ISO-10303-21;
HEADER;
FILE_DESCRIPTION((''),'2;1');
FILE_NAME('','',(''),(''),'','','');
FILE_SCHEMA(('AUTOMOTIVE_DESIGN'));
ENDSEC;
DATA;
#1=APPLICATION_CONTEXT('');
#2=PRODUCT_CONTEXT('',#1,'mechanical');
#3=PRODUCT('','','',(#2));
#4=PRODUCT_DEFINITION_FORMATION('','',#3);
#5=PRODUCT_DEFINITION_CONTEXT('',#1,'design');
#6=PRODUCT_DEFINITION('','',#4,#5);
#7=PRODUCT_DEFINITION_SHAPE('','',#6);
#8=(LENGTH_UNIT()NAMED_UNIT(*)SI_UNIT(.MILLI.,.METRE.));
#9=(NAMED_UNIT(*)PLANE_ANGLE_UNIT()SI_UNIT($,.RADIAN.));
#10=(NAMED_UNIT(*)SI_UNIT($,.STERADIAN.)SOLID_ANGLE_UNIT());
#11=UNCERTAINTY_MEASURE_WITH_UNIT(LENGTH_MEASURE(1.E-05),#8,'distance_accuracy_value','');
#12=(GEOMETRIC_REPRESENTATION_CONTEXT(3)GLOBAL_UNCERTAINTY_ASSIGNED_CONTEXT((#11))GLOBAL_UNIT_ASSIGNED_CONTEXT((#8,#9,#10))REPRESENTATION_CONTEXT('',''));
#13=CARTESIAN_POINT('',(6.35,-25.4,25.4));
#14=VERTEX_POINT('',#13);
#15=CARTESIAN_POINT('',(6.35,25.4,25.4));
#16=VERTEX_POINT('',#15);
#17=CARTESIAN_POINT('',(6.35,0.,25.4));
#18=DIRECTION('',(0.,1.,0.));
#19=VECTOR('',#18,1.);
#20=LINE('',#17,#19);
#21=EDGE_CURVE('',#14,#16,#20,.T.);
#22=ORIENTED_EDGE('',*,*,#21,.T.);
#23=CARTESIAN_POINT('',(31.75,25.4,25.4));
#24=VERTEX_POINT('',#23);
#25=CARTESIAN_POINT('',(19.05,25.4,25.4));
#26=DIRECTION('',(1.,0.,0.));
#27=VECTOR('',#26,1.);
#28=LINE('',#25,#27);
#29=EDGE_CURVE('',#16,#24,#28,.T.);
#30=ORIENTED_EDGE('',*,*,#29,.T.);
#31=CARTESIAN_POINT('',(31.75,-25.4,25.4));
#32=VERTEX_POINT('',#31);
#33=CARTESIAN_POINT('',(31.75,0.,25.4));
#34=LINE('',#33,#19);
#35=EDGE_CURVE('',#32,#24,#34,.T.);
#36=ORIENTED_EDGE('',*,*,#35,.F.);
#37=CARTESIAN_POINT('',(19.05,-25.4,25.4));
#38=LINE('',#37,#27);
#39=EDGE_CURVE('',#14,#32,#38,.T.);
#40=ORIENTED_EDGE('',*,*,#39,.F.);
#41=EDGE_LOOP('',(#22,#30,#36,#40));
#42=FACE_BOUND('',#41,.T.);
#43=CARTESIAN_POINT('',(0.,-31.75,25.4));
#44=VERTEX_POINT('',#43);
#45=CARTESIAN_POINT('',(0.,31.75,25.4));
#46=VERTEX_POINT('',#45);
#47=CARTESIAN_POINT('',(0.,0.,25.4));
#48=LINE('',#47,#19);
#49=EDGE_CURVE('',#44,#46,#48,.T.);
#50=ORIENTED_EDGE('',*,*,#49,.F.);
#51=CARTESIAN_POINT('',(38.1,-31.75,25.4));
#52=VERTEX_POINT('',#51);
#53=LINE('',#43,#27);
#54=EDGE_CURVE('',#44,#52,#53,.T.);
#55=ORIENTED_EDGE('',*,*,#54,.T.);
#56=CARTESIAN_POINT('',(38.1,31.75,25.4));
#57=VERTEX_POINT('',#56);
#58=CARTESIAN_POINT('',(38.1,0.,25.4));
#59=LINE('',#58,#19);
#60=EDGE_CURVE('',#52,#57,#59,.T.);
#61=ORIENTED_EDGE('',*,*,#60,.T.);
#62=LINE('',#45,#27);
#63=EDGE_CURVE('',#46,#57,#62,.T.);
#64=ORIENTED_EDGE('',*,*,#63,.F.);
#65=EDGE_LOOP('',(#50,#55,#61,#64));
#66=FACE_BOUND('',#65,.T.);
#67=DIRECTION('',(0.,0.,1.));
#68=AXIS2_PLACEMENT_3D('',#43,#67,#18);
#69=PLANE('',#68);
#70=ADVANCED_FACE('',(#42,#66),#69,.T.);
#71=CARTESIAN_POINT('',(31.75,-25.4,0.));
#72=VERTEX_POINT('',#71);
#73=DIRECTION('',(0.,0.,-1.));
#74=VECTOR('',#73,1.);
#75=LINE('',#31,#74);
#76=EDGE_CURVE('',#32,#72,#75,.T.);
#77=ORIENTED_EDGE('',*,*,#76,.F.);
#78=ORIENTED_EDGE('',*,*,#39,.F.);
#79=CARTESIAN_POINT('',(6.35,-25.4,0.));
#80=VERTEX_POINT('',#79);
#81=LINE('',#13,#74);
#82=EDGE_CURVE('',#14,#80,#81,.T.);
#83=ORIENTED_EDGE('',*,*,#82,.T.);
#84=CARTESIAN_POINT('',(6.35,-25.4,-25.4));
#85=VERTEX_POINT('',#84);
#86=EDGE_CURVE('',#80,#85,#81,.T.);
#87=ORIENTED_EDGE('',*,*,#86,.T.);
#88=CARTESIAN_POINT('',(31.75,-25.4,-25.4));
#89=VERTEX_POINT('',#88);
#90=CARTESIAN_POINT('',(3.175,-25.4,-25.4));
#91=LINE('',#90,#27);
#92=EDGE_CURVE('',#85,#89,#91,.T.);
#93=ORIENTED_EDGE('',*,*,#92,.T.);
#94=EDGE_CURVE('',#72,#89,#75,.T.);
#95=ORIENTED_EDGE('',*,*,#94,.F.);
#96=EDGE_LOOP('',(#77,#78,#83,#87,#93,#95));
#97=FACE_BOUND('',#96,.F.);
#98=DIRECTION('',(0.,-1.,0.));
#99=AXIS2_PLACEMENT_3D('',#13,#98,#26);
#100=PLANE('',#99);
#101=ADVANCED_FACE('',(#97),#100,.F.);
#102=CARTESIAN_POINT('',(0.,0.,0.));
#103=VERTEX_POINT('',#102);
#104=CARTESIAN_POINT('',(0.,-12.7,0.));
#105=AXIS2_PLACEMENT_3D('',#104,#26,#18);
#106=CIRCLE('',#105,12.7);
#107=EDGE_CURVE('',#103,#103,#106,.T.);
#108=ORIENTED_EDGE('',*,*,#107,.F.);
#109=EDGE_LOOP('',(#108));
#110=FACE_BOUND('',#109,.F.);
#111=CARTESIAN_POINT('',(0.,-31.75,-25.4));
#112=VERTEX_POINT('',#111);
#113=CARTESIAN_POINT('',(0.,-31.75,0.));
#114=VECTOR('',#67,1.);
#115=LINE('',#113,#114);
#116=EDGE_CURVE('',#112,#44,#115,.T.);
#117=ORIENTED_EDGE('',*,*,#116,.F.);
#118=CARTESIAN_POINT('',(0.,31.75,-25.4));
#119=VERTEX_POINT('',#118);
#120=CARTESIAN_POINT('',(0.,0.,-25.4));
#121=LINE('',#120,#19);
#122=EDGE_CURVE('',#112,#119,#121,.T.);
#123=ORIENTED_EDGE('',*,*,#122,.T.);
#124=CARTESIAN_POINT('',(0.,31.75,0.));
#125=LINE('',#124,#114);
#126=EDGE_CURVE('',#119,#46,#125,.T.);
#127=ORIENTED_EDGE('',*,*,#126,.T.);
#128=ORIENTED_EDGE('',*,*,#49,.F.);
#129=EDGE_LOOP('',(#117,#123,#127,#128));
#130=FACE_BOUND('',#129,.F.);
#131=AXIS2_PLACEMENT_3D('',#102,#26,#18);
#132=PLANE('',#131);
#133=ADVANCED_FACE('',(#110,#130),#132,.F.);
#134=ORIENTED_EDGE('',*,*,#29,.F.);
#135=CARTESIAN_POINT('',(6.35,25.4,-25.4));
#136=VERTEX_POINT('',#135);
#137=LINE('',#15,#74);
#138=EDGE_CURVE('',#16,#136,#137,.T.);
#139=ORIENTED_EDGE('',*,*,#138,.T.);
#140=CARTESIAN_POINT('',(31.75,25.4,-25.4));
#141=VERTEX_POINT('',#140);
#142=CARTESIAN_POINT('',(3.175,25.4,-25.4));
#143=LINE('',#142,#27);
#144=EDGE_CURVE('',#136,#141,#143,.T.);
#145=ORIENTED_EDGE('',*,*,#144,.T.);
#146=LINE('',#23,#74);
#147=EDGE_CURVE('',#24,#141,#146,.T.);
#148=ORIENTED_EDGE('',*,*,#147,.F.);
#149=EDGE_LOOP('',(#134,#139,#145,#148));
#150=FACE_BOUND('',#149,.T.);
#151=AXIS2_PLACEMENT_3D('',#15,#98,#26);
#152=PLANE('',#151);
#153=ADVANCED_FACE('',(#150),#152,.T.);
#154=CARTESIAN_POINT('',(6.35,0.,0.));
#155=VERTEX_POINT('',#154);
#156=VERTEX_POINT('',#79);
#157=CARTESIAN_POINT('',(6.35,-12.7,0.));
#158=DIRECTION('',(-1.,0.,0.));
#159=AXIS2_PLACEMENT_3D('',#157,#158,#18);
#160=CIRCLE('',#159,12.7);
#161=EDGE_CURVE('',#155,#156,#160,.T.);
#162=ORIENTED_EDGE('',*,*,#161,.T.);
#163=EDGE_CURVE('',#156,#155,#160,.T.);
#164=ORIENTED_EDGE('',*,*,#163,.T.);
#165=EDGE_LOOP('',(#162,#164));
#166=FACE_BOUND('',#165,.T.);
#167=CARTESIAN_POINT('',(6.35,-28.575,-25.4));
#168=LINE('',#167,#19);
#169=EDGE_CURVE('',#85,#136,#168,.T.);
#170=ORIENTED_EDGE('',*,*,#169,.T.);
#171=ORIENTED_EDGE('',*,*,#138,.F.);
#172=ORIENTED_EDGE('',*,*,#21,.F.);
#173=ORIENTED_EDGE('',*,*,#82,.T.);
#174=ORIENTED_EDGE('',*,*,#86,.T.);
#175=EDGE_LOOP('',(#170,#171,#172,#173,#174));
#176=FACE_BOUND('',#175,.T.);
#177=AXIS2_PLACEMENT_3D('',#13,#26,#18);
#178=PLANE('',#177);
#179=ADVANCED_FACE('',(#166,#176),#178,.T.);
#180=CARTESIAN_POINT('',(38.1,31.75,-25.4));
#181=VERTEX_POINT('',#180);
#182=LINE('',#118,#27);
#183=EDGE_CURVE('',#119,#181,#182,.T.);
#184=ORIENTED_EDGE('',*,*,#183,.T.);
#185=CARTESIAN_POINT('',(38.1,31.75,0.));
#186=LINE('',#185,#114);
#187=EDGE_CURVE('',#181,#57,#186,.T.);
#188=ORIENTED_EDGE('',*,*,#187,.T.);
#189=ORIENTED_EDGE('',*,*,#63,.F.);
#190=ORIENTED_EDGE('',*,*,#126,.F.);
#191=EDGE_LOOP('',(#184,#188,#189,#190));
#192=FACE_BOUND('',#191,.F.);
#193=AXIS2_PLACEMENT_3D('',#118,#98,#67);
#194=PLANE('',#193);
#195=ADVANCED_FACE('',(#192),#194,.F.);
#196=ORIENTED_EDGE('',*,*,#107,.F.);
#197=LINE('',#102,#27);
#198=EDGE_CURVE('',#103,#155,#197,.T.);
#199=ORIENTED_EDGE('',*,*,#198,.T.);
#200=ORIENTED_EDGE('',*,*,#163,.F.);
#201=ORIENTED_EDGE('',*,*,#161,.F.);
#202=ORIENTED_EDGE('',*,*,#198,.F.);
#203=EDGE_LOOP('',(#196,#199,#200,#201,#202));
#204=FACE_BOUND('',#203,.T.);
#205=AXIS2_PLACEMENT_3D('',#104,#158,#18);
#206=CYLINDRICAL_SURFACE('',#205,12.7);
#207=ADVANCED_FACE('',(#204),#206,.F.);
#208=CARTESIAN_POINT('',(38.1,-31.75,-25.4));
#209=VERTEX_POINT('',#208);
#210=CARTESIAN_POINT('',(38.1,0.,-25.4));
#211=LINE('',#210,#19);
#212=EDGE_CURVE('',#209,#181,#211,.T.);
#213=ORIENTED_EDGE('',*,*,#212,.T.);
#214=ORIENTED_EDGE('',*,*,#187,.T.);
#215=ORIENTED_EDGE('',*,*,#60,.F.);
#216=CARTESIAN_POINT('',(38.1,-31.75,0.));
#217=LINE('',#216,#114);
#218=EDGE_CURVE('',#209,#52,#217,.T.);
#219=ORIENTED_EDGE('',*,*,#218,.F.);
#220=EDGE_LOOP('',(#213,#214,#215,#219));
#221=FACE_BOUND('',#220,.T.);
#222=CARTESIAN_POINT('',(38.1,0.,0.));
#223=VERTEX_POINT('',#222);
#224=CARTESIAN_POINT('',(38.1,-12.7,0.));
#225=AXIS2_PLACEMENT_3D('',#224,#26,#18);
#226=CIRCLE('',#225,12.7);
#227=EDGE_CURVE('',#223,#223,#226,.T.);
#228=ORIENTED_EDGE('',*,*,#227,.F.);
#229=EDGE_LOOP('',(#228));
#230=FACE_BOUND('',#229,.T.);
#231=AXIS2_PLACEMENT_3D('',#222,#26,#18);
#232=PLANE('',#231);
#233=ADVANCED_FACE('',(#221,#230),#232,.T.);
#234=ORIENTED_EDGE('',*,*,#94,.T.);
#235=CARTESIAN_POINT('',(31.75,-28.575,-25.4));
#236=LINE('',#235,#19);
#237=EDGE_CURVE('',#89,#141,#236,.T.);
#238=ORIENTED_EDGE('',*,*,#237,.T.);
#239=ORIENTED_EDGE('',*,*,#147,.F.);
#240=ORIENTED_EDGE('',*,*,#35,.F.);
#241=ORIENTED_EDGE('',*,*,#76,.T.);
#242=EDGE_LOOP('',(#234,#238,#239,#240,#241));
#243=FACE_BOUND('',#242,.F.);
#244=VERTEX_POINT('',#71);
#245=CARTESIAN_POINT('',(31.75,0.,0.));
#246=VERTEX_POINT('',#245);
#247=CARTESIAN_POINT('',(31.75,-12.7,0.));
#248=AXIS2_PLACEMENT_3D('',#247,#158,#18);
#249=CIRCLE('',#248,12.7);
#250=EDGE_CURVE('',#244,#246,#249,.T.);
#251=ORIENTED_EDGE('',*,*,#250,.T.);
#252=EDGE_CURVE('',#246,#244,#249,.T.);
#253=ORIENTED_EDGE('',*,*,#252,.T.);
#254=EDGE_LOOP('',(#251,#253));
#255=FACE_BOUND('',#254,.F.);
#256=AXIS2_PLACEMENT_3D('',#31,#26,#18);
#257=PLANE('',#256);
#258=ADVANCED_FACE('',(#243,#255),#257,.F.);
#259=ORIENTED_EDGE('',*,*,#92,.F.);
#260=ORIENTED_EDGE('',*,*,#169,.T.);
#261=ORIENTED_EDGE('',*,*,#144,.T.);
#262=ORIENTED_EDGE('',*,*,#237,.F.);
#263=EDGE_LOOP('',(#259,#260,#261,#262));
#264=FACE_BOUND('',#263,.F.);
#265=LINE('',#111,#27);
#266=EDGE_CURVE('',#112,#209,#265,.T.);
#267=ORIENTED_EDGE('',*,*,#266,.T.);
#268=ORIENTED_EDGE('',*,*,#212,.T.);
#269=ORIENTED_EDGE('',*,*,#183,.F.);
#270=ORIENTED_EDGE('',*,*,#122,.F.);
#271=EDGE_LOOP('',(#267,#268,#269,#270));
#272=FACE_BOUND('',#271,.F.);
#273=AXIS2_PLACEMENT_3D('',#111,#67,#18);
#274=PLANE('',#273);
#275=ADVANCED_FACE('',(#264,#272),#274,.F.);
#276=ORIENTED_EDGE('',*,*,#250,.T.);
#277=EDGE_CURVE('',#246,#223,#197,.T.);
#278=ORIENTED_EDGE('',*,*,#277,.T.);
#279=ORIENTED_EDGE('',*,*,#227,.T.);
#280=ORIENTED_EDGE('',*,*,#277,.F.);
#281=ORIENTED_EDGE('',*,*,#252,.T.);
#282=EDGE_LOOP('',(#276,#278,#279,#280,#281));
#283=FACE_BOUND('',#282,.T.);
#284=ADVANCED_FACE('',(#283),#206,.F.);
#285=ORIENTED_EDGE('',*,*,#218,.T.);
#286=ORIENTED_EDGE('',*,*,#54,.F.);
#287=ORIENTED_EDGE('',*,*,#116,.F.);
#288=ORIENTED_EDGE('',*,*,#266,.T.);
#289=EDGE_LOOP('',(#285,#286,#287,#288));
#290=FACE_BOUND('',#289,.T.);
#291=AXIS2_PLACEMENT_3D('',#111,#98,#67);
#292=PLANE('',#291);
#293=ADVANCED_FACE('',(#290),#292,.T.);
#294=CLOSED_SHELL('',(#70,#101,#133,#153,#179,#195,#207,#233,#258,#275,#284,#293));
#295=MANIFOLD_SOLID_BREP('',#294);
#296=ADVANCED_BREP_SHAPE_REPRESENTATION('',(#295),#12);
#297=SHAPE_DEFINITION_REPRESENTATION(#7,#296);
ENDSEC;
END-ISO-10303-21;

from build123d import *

# Parameters (mm, degrees)
F0_W     = 63.5
F0_H     = 50.8
F0_R     = 12.7
F1_DEPTH = 38.1
F2_W     = 25.4
F2_H     = 50.8
F3_DEPTH = 50.801


with BuildPart() as f1:
    # F0 (on Right) → F1 (new body)
    with BuildSketch(Plane.YZ):
        Rectangle(F0_W, F0_H)
        with Locations((-12.7, 0)):
            Circle(F0_R, mode=Mode.SUBTRACT)
    extrude(amount=F1_DEPTH)

    # F2 (on face) → F3 (cut, through all)
    with BuildSketch(Plane.XY.offset(25.4)):
        with Locations((19.05, 0)):
            Rectangle(F2_W, F2_H)
    extrude(amount=-F3_DEPTH, mode=Mode.SUBTRACT)


solid = f1.part
